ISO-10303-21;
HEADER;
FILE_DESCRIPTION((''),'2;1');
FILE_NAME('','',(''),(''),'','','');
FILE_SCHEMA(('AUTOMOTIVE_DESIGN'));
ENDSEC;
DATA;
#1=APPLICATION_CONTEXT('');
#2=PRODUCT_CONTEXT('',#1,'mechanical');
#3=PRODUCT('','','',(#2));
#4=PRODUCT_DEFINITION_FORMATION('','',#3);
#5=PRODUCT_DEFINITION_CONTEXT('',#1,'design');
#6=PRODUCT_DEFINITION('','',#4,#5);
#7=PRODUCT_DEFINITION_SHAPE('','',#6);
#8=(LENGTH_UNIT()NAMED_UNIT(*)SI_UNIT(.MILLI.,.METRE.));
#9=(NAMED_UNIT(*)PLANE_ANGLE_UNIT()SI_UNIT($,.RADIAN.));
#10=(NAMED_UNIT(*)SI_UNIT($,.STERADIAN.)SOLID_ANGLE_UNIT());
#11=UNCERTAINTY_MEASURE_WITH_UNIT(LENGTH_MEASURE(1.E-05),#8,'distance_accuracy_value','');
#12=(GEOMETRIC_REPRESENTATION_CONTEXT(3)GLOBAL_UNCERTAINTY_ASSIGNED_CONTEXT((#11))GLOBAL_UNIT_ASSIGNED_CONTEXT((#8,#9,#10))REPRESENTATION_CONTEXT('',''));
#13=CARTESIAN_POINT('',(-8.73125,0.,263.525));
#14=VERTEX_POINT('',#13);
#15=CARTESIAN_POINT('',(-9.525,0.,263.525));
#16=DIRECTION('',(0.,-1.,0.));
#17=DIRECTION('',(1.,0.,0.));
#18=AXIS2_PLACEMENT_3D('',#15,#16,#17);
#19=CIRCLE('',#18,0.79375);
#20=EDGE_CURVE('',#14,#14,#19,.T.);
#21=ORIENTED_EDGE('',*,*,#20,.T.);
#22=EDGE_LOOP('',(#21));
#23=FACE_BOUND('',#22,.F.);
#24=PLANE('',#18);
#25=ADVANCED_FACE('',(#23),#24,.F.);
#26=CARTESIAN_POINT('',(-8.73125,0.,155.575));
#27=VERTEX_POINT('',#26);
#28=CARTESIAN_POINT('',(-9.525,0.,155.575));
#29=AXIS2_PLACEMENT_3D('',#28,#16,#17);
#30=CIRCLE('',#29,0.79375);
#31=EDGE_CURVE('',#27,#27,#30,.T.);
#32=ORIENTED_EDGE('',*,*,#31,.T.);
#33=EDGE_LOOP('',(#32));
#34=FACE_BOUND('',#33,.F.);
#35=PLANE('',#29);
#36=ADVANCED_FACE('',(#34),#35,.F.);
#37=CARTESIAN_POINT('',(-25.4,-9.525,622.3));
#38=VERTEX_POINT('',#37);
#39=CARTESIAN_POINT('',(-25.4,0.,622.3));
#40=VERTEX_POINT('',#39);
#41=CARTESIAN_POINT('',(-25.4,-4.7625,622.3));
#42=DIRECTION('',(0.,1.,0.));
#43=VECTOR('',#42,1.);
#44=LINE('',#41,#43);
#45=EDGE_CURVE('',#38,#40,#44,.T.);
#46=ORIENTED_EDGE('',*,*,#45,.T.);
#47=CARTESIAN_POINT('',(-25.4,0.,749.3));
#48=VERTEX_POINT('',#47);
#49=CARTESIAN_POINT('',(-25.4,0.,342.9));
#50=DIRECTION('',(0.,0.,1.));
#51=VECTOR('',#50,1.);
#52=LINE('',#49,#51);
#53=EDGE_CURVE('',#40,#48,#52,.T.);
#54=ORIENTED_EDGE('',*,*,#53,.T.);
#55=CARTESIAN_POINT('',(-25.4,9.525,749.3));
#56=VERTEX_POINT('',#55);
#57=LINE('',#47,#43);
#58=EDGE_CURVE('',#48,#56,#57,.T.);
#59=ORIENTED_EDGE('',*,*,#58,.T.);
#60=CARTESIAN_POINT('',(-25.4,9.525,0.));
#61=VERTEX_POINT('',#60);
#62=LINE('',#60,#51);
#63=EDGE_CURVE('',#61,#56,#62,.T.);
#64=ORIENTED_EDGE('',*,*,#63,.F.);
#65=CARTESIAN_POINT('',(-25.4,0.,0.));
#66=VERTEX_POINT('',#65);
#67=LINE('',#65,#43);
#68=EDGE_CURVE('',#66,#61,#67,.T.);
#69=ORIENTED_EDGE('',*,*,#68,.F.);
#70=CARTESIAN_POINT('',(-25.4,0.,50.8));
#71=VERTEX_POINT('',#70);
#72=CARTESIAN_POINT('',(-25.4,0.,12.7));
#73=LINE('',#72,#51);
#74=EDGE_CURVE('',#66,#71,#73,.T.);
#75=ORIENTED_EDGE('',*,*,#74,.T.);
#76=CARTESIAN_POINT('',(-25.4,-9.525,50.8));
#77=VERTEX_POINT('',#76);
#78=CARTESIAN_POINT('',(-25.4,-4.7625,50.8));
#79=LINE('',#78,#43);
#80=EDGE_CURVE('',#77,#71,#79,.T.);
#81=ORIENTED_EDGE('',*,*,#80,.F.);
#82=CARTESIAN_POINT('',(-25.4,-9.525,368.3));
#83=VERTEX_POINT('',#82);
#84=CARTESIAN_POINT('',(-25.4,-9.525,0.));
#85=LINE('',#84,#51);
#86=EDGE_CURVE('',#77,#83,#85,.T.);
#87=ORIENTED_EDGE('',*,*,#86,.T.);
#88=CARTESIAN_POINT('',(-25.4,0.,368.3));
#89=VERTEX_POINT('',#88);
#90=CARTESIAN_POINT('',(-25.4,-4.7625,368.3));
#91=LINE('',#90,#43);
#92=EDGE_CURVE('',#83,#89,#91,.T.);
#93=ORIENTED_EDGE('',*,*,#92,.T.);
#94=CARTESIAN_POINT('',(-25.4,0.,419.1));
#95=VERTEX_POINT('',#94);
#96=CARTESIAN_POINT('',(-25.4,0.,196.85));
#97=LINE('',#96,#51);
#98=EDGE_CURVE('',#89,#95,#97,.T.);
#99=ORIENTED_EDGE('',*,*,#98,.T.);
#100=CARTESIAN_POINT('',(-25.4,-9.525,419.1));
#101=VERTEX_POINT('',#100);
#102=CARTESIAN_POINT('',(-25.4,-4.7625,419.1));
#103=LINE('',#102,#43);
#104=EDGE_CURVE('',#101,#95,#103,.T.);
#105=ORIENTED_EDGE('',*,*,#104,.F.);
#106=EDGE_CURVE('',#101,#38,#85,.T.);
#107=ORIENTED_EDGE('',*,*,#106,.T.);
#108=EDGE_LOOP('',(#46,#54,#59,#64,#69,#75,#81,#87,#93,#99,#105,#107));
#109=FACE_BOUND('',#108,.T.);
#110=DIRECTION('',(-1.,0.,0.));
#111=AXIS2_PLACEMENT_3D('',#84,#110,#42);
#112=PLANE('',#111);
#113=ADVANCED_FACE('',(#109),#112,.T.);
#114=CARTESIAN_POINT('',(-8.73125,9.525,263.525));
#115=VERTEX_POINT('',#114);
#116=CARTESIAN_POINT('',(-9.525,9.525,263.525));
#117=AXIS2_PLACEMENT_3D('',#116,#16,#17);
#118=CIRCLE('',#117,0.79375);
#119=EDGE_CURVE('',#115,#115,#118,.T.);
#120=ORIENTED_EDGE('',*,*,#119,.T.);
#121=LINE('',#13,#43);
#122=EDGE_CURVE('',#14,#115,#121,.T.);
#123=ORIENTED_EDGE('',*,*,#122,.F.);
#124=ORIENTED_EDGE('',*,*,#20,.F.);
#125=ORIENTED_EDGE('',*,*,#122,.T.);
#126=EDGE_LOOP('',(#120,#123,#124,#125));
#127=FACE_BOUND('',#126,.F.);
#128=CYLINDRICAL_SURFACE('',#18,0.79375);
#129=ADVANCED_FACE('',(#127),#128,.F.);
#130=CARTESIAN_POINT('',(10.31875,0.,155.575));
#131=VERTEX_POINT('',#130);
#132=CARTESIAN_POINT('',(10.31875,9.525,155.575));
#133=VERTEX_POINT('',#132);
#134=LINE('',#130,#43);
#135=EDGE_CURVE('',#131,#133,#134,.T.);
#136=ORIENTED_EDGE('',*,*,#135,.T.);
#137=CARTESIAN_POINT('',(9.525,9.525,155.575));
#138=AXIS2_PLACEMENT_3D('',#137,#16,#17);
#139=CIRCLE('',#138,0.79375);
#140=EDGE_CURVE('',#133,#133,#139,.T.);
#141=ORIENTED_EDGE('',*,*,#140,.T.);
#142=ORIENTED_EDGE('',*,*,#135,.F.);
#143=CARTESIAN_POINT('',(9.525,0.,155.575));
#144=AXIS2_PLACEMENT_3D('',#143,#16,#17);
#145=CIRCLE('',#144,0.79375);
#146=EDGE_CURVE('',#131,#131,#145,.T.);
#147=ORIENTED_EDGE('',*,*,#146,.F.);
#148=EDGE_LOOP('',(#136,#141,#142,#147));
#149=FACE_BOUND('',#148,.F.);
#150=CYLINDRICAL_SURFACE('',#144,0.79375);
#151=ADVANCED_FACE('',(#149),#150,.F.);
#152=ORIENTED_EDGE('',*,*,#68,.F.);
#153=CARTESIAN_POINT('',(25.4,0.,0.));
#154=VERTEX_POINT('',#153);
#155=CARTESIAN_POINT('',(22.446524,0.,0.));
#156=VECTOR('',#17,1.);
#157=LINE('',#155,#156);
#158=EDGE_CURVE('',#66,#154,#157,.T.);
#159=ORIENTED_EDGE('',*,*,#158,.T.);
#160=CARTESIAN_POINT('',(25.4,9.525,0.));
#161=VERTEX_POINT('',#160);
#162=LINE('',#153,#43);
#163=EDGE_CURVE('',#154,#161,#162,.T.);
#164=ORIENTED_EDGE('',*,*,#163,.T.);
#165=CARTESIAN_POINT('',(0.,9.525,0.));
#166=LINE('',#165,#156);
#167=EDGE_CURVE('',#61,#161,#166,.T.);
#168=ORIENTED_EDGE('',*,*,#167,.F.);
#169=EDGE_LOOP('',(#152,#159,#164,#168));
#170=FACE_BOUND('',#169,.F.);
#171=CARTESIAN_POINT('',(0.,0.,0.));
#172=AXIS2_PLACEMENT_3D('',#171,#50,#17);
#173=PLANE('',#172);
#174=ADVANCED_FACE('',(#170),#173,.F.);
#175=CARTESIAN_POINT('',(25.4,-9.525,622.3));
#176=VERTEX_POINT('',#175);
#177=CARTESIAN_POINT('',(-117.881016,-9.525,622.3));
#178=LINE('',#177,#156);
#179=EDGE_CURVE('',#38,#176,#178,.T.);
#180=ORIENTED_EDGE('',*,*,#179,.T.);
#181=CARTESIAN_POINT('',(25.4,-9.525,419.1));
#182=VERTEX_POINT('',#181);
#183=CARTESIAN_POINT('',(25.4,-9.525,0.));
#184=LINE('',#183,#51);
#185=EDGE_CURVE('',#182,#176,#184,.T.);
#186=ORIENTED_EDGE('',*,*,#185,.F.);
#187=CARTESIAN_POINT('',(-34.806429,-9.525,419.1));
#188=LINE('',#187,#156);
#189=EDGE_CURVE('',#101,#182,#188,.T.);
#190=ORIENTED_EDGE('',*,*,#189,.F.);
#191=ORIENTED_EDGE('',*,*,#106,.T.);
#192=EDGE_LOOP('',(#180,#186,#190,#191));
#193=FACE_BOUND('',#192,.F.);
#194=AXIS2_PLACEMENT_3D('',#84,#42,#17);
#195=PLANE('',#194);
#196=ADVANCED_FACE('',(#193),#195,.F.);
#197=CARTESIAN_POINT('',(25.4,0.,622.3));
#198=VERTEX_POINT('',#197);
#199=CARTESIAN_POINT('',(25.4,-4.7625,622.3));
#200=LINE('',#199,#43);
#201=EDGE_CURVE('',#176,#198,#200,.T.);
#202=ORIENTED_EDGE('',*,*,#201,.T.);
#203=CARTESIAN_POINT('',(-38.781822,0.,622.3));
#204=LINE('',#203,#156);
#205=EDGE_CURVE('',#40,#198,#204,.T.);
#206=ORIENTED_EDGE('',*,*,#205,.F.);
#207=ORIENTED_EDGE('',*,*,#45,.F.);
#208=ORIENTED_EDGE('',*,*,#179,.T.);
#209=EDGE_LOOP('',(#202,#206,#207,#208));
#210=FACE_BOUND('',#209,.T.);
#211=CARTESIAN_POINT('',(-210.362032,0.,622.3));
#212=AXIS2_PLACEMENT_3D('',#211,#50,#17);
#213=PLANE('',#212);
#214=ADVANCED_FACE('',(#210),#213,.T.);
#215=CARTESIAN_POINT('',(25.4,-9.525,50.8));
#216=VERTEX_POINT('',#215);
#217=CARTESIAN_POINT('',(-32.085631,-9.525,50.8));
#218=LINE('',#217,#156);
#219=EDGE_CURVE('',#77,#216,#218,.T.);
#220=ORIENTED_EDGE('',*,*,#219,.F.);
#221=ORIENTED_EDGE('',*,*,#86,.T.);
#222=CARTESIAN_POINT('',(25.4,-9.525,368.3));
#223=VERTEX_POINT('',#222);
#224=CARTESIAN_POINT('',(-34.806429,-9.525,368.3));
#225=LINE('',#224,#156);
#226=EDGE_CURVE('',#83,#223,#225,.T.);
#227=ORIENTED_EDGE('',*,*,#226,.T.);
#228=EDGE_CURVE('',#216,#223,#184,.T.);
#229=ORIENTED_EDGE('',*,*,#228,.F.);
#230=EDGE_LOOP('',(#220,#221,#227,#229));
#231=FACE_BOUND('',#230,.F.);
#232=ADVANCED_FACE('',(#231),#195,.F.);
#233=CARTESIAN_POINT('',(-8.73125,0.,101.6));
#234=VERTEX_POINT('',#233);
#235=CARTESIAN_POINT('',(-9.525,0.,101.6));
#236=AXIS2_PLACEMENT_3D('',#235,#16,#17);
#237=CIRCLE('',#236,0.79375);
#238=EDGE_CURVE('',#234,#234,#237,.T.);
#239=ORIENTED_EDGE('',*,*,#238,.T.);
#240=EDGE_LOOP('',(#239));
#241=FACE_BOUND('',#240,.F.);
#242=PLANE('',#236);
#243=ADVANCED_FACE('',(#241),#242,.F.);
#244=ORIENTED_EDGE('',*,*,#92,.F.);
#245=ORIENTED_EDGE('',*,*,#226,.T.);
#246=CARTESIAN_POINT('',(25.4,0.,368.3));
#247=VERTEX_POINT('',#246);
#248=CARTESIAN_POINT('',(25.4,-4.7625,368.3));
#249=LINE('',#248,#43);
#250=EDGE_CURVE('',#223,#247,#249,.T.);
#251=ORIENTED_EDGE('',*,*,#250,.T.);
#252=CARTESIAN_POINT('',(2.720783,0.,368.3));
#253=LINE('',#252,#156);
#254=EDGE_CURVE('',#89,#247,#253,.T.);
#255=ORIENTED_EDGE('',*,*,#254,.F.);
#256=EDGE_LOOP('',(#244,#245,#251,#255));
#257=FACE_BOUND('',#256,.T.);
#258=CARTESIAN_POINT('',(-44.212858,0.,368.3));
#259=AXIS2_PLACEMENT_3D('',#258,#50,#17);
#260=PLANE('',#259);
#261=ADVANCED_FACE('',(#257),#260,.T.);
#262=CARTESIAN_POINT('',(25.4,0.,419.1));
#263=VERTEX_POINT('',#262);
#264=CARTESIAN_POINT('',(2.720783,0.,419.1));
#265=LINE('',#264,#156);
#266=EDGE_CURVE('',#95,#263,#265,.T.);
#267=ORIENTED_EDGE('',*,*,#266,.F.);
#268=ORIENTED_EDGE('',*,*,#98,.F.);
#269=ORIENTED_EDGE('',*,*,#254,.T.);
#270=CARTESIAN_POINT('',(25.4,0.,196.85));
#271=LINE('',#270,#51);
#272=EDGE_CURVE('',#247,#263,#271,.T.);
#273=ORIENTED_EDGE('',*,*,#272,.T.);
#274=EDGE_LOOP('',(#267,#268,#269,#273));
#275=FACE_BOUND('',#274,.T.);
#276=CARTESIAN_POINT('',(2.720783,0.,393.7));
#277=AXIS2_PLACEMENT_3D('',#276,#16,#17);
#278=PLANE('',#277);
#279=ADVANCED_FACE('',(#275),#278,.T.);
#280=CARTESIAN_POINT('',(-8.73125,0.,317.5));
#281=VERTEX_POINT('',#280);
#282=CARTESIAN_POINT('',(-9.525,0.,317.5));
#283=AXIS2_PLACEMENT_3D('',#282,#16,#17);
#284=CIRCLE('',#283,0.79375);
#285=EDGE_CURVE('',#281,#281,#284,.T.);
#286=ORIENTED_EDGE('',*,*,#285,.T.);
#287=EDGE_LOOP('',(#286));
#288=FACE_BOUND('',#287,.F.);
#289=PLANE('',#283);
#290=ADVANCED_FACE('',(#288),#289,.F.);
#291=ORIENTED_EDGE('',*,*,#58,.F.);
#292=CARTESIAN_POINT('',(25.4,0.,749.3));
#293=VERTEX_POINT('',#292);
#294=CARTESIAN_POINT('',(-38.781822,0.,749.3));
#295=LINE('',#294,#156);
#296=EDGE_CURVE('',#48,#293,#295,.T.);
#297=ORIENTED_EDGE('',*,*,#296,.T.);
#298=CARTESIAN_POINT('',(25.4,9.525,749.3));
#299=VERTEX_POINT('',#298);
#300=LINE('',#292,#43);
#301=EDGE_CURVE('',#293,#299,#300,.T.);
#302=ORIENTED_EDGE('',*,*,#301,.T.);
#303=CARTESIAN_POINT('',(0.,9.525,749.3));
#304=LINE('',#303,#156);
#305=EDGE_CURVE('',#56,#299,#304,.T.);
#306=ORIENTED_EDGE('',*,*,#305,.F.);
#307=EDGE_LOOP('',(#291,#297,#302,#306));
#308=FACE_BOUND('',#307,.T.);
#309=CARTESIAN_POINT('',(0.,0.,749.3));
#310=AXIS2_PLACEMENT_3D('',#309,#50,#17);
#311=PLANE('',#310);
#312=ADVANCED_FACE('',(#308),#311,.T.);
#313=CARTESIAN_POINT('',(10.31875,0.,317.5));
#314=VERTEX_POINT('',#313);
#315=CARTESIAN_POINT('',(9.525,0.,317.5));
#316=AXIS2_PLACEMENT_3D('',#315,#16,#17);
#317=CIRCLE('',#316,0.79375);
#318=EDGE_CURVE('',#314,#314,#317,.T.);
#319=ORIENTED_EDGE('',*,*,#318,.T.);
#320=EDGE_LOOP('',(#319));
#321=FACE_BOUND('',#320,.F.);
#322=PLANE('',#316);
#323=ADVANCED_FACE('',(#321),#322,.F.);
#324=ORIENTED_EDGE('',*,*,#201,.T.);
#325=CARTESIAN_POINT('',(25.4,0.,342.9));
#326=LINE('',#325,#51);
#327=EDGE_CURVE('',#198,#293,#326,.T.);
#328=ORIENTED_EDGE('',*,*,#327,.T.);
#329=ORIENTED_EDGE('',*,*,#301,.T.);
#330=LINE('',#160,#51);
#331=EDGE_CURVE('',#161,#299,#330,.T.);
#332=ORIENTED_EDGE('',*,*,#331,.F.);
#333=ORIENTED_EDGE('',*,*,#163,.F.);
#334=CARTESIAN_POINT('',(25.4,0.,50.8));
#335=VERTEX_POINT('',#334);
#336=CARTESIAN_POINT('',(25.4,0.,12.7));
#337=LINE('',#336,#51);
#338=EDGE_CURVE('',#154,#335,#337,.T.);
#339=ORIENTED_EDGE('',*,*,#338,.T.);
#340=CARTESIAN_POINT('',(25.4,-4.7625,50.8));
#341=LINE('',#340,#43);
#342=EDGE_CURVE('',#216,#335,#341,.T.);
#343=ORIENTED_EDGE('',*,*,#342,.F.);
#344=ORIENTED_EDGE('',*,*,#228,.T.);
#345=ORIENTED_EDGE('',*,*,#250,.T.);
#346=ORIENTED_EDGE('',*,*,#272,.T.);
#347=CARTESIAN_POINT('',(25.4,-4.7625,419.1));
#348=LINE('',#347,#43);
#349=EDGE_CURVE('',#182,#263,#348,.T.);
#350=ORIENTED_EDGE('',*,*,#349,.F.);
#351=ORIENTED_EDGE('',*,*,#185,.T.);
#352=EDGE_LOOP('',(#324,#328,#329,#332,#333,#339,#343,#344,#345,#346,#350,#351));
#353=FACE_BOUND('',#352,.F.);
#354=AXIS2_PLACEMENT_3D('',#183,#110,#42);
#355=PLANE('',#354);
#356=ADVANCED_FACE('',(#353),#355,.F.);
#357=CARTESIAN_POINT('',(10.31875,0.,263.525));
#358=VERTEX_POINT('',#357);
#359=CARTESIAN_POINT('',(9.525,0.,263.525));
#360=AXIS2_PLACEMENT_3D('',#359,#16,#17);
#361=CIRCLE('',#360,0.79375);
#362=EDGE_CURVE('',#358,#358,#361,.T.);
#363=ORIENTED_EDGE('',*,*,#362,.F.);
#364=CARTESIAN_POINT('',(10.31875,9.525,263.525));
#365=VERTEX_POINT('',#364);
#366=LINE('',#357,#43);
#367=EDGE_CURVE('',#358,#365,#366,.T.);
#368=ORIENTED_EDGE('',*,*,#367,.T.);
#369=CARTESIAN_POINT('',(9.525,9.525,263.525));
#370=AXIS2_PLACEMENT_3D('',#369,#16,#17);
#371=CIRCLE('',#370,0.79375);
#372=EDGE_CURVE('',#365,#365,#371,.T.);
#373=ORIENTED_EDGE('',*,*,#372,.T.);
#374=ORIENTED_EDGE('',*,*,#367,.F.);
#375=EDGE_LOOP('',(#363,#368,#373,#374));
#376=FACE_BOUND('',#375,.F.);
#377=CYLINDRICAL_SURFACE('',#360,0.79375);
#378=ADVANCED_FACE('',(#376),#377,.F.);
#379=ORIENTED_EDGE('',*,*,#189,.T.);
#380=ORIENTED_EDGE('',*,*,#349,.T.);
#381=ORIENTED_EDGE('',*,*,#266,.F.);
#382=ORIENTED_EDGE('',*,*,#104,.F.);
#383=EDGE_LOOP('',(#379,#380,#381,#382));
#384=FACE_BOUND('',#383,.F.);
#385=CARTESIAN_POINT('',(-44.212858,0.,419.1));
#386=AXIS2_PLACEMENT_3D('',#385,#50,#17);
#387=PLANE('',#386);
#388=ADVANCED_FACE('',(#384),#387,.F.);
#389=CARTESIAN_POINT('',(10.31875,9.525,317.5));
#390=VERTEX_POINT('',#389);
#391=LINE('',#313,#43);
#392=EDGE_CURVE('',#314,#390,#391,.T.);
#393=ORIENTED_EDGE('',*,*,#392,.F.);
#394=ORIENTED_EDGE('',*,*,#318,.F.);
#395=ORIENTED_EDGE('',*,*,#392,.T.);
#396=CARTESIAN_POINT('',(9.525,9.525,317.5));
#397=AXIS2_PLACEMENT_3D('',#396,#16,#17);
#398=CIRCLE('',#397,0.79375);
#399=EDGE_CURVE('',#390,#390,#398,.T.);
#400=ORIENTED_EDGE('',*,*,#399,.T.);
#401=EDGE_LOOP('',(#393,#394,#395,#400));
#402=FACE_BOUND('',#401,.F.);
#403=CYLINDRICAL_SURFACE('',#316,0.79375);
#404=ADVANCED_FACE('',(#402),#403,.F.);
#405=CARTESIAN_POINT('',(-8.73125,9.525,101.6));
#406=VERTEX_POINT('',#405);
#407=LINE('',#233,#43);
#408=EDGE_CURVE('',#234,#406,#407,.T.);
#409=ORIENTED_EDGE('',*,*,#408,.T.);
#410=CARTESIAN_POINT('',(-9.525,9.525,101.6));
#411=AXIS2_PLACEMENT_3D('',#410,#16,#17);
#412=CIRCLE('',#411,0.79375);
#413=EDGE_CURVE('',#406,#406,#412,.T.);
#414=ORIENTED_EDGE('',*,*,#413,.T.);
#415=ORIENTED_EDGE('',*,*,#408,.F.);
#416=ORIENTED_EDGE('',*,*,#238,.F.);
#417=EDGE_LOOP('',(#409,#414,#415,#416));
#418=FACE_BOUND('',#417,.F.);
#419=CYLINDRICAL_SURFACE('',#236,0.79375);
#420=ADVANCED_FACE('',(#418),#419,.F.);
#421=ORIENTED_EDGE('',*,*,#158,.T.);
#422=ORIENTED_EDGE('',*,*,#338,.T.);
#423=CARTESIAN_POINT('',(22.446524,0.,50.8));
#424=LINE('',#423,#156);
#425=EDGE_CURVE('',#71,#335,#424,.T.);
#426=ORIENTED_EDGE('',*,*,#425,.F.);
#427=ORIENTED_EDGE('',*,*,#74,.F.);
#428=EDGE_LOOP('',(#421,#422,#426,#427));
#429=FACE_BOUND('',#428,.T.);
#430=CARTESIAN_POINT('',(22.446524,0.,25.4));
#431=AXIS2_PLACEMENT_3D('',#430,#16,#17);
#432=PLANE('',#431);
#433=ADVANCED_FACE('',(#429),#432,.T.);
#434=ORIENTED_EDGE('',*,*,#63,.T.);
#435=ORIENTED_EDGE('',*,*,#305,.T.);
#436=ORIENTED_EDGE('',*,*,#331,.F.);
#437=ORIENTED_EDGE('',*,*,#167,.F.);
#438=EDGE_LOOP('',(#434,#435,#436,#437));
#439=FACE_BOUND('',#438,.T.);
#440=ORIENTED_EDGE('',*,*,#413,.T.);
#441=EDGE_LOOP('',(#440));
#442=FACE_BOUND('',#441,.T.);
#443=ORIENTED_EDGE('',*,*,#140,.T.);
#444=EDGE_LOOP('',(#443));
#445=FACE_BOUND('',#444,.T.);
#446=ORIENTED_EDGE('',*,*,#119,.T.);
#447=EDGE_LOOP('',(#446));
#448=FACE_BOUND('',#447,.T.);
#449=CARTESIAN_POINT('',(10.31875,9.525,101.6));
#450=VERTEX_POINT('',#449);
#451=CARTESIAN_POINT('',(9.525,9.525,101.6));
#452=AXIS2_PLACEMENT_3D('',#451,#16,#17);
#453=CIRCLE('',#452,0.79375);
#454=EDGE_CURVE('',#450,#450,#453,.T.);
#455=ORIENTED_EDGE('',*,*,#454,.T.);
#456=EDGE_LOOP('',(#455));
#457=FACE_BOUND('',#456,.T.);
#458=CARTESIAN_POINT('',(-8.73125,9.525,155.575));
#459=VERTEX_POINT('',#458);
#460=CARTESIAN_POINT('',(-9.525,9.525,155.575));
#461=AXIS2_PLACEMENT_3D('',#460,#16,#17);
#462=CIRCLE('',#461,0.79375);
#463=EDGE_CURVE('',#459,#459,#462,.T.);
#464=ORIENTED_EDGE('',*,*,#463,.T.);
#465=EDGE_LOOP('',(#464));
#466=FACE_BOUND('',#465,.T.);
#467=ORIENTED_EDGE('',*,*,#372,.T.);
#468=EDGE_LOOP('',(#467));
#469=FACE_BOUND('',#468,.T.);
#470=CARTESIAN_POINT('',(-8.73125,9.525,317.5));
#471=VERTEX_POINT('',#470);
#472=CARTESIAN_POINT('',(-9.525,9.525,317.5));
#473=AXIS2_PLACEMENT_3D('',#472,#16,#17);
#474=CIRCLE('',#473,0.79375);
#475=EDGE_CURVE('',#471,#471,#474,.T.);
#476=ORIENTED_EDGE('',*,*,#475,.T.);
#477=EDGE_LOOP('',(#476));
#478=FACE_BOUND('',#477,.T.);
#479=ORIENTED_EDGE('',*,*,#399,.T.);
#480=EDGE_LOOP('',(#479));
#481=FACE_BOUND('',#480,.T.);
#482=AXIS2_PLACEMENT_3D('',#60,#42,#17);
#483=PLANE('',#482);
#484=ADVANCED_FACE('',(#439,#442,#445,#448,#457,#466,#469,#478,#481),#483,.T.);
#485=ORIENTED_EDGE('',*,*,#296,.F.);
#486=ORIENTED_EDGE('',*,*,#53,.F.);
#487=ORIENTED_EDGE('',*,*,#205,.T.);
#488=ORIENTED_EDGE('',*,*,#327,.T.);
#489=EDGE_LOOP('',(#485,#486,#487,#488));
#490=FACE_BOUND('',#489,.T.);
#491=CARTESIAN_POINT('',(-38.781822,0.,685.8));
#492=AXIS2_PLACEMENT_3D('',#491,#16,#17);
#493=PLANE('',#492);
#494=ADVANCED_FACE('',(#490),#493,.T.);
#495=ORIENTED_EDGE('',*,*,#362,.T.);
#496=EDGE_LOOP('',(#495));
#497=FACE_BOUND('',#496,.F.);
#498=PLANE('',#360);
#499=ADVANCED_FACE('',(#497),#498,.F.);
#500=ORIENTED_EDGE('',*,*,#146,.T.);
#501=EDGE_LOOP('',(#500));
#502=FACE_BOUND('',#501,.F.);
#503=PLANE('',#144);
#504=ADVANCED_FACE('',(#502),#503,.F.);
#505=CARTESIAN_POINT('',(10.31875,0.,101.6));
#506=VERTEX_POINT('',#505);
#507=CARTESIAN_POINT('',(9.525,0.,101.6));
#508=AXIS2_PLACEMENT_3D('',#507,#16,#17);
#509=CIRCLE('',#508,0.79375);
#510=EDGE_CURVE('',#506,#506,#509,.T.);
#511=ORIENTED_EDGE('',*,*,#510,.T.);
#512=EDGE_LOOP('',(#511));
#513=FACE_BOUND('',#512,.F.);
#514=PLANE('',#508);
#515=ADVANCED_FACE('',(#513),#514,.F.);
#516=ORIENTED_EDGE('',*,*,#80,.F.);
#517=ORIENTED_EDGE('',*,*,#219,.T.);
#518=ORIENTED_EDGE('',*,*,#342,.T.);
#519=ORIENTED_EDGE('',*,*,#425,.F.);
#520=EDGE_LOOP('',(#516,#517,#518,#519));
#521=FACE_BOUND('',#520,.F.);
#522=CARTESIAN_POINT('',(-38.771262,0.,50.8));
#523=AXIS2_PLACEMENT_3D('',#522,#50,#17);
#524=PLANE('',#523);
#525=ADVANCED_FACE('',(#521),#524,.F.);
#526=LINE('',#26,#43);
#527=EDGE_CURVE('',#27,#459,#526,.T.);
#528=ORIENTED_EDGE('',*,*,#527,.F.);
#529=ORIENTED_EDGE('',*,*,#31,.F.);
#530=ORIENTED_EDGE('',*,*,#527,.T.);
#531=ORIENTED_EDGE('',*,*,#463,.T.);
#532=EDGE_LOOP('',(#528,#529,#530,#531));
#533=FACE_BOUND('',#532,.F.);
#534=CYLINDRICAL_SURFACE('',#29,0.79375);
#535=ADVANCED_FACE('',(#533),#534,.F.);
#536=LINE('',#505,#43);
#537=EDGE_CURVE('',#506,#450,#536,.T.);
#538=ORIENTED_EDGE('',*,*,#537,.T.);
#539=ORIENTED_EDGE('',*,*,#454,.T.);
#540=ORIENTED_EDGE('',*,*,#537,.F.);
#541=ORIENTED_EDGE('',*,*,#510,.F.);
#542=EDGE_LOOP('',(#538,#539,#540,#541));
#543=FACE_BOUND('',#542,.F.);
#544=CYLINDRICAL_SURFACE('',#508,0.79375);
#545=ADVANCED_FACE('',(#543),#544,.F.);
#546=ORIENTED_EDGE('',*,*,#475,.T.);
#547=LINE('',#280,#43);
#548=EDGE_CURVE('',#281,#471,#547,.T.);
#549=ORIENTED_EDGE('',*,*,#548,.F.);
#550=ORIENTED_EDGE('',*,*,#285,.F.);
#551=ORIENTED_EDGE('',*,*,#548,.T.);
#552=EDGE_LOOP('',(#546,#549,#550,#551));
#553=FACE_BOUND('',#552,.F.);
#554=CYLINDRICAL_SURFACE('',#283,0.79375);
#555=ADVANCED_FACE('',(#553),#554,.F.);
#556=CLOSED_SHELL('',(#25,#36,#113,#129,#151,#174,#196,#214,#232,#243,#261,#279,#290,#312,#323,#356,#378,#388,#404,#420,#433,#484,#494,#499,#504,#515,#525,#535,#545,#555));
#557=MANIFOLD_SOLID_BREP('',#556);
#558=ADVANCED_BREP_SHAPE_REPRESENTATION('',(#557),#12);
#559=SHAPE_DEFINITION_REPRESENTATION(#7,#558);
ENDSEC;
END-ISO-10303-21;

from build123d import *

# Parameters (mm, degrees)
F0_W     = 50.8
F0_H     = 19.05
F1_DEPTH = 749.3
F2_W     = 122.435573
F2_H     = 50.8
F2_W_2   = 93.867282
F2_W_3   = 343.160421
F2_H_2   = 127
F3_DEPTH = 25.4
F4_R     = 0.79375
F5_DEPTH = 25.4


with BuildPart() as f1:
    # F0 (on Top) → F1 (new body)
    with BuildSketch(Plane.XY):
        Rectangle(F0_W, F0_H)
    extrude(amount=F1_DEPTH)

    # F2 (on Front) → F3 (cut)
    with BuildSketch(Plane.XZ):
        with Locations((22.446524, 25.4)):
            Rectangle(F2_W, F2_H)
        with Locations((2.720783, 393.7)):
            Rectangle(F2_W_2, F2_H)
        with Locations((-38.781822, 685.8)):
            Rectangle(F2_W_3, F2_H_2)
    extrude(amount=F3_DEPTH, mode=Mode.SUBTRACT)

    # F4 (on Front) → F5 (cut)
    with BuildSketch(Plane.XZ):
        with Locations((9.525, 101.6)):
            Circle(F4_R)
        with Locations((9.525, 155.575)):
            Circle(F4_R)
        with Locations((9.525, 263.525)):
            Circle(F4_R)
        with Locations((9.525, 317.5)):
            Circle(F4_R)
        with Locations((-9.525, 263.525)):
            Circle(F4_R)
        with Locations((-9.525, 317.5)):
            Circle(F4_R)
        with Locations((-9.525, 101.6)):
            Circle(F4_R)
        with Locations((-9.525, 155.575)):
            Circle(F4_R)
    extrude(amount=-F5_DEPTH, mode=Mode.SUBTRACT)


solid = f1.part
